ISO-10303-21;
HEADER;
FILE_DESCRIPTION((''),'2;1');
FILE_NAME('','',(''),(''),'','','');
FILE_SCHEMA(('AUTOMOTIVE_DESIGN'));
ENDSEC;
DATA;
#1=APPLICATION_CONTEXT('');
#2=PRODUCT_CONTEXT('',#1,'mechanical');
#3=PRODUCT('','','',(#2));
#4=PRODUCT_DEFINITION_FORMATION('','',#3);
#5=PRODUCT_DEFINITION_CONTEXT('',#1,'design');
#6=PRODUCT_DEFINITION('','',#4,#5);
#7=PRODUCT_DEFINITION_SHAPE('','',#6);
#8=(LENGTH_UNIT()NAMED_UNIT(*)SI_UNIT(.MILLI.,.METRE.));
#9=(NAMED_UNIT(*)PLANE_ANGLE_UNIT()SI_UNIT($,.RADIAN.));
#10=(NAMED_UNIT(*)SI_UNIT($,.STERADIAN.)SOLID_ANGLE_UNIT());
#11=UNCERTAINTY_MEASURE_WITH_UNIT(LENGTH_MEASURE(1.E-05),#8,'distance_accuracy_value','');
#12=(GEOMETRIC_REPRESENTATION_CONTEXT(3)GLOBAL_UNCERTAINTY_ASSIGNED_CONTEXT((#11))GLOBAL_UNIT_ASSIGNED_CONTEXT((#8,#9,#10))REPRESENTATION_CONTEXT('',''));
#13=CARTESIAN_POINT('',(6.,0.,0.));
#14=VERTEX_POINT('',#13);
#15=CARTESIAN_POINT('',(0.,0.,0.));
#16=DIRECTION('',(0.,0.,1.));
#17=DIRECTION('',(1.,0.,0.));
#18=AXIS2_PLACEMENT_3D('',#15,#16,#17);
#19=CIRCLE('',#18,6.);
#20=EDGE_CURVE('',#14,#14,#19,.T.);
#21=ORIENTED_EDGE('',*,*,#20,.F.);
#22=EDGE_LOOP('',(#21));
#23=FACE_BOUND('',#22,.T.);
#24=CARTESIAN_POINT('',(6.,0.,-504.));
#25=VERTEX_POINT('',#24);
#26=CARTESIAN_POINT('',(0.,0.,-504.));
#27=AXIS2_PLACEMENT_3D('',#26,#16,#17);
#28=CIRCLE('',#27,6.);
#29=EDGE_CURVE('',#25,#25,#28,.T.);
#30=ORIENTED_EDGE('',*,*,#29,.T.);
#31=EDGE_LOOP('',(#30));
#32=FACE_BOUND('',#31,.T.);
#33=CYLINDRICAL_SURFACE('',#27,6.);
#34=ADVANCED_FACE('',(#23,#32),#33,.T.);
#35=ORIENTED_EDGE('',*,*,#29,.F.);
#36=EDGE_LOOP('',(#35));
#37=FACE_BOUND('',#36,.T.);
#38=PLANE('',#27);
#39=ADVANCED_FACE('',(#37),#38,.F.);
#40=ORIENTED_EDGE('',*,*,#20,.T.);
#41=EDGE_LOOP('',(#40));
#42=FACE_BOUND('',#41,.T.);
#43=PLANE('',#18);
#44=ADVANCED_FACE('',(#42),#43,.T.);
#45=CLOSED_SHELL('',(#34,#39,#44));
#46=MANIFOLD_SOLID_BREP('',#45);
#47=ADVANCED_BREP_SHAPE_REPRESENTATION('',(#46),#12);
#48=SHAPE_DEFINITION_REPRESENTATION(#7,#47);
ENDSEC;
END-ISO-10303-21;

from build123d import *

# Parameters (mm, degrees)
SKETCH_1_R      = 6
EXTRUDE_1_DEPTH = 504


with BuildPart() as part:
    # Эскиз1 → Бобышка-Вытянуть1 (new body)
    with BuildSketch(Plane.XY):
        Circle(SKETCH_1_R)
    extrude(amount=-EXTRUDE_1_DEPTH)


solid = part.part
